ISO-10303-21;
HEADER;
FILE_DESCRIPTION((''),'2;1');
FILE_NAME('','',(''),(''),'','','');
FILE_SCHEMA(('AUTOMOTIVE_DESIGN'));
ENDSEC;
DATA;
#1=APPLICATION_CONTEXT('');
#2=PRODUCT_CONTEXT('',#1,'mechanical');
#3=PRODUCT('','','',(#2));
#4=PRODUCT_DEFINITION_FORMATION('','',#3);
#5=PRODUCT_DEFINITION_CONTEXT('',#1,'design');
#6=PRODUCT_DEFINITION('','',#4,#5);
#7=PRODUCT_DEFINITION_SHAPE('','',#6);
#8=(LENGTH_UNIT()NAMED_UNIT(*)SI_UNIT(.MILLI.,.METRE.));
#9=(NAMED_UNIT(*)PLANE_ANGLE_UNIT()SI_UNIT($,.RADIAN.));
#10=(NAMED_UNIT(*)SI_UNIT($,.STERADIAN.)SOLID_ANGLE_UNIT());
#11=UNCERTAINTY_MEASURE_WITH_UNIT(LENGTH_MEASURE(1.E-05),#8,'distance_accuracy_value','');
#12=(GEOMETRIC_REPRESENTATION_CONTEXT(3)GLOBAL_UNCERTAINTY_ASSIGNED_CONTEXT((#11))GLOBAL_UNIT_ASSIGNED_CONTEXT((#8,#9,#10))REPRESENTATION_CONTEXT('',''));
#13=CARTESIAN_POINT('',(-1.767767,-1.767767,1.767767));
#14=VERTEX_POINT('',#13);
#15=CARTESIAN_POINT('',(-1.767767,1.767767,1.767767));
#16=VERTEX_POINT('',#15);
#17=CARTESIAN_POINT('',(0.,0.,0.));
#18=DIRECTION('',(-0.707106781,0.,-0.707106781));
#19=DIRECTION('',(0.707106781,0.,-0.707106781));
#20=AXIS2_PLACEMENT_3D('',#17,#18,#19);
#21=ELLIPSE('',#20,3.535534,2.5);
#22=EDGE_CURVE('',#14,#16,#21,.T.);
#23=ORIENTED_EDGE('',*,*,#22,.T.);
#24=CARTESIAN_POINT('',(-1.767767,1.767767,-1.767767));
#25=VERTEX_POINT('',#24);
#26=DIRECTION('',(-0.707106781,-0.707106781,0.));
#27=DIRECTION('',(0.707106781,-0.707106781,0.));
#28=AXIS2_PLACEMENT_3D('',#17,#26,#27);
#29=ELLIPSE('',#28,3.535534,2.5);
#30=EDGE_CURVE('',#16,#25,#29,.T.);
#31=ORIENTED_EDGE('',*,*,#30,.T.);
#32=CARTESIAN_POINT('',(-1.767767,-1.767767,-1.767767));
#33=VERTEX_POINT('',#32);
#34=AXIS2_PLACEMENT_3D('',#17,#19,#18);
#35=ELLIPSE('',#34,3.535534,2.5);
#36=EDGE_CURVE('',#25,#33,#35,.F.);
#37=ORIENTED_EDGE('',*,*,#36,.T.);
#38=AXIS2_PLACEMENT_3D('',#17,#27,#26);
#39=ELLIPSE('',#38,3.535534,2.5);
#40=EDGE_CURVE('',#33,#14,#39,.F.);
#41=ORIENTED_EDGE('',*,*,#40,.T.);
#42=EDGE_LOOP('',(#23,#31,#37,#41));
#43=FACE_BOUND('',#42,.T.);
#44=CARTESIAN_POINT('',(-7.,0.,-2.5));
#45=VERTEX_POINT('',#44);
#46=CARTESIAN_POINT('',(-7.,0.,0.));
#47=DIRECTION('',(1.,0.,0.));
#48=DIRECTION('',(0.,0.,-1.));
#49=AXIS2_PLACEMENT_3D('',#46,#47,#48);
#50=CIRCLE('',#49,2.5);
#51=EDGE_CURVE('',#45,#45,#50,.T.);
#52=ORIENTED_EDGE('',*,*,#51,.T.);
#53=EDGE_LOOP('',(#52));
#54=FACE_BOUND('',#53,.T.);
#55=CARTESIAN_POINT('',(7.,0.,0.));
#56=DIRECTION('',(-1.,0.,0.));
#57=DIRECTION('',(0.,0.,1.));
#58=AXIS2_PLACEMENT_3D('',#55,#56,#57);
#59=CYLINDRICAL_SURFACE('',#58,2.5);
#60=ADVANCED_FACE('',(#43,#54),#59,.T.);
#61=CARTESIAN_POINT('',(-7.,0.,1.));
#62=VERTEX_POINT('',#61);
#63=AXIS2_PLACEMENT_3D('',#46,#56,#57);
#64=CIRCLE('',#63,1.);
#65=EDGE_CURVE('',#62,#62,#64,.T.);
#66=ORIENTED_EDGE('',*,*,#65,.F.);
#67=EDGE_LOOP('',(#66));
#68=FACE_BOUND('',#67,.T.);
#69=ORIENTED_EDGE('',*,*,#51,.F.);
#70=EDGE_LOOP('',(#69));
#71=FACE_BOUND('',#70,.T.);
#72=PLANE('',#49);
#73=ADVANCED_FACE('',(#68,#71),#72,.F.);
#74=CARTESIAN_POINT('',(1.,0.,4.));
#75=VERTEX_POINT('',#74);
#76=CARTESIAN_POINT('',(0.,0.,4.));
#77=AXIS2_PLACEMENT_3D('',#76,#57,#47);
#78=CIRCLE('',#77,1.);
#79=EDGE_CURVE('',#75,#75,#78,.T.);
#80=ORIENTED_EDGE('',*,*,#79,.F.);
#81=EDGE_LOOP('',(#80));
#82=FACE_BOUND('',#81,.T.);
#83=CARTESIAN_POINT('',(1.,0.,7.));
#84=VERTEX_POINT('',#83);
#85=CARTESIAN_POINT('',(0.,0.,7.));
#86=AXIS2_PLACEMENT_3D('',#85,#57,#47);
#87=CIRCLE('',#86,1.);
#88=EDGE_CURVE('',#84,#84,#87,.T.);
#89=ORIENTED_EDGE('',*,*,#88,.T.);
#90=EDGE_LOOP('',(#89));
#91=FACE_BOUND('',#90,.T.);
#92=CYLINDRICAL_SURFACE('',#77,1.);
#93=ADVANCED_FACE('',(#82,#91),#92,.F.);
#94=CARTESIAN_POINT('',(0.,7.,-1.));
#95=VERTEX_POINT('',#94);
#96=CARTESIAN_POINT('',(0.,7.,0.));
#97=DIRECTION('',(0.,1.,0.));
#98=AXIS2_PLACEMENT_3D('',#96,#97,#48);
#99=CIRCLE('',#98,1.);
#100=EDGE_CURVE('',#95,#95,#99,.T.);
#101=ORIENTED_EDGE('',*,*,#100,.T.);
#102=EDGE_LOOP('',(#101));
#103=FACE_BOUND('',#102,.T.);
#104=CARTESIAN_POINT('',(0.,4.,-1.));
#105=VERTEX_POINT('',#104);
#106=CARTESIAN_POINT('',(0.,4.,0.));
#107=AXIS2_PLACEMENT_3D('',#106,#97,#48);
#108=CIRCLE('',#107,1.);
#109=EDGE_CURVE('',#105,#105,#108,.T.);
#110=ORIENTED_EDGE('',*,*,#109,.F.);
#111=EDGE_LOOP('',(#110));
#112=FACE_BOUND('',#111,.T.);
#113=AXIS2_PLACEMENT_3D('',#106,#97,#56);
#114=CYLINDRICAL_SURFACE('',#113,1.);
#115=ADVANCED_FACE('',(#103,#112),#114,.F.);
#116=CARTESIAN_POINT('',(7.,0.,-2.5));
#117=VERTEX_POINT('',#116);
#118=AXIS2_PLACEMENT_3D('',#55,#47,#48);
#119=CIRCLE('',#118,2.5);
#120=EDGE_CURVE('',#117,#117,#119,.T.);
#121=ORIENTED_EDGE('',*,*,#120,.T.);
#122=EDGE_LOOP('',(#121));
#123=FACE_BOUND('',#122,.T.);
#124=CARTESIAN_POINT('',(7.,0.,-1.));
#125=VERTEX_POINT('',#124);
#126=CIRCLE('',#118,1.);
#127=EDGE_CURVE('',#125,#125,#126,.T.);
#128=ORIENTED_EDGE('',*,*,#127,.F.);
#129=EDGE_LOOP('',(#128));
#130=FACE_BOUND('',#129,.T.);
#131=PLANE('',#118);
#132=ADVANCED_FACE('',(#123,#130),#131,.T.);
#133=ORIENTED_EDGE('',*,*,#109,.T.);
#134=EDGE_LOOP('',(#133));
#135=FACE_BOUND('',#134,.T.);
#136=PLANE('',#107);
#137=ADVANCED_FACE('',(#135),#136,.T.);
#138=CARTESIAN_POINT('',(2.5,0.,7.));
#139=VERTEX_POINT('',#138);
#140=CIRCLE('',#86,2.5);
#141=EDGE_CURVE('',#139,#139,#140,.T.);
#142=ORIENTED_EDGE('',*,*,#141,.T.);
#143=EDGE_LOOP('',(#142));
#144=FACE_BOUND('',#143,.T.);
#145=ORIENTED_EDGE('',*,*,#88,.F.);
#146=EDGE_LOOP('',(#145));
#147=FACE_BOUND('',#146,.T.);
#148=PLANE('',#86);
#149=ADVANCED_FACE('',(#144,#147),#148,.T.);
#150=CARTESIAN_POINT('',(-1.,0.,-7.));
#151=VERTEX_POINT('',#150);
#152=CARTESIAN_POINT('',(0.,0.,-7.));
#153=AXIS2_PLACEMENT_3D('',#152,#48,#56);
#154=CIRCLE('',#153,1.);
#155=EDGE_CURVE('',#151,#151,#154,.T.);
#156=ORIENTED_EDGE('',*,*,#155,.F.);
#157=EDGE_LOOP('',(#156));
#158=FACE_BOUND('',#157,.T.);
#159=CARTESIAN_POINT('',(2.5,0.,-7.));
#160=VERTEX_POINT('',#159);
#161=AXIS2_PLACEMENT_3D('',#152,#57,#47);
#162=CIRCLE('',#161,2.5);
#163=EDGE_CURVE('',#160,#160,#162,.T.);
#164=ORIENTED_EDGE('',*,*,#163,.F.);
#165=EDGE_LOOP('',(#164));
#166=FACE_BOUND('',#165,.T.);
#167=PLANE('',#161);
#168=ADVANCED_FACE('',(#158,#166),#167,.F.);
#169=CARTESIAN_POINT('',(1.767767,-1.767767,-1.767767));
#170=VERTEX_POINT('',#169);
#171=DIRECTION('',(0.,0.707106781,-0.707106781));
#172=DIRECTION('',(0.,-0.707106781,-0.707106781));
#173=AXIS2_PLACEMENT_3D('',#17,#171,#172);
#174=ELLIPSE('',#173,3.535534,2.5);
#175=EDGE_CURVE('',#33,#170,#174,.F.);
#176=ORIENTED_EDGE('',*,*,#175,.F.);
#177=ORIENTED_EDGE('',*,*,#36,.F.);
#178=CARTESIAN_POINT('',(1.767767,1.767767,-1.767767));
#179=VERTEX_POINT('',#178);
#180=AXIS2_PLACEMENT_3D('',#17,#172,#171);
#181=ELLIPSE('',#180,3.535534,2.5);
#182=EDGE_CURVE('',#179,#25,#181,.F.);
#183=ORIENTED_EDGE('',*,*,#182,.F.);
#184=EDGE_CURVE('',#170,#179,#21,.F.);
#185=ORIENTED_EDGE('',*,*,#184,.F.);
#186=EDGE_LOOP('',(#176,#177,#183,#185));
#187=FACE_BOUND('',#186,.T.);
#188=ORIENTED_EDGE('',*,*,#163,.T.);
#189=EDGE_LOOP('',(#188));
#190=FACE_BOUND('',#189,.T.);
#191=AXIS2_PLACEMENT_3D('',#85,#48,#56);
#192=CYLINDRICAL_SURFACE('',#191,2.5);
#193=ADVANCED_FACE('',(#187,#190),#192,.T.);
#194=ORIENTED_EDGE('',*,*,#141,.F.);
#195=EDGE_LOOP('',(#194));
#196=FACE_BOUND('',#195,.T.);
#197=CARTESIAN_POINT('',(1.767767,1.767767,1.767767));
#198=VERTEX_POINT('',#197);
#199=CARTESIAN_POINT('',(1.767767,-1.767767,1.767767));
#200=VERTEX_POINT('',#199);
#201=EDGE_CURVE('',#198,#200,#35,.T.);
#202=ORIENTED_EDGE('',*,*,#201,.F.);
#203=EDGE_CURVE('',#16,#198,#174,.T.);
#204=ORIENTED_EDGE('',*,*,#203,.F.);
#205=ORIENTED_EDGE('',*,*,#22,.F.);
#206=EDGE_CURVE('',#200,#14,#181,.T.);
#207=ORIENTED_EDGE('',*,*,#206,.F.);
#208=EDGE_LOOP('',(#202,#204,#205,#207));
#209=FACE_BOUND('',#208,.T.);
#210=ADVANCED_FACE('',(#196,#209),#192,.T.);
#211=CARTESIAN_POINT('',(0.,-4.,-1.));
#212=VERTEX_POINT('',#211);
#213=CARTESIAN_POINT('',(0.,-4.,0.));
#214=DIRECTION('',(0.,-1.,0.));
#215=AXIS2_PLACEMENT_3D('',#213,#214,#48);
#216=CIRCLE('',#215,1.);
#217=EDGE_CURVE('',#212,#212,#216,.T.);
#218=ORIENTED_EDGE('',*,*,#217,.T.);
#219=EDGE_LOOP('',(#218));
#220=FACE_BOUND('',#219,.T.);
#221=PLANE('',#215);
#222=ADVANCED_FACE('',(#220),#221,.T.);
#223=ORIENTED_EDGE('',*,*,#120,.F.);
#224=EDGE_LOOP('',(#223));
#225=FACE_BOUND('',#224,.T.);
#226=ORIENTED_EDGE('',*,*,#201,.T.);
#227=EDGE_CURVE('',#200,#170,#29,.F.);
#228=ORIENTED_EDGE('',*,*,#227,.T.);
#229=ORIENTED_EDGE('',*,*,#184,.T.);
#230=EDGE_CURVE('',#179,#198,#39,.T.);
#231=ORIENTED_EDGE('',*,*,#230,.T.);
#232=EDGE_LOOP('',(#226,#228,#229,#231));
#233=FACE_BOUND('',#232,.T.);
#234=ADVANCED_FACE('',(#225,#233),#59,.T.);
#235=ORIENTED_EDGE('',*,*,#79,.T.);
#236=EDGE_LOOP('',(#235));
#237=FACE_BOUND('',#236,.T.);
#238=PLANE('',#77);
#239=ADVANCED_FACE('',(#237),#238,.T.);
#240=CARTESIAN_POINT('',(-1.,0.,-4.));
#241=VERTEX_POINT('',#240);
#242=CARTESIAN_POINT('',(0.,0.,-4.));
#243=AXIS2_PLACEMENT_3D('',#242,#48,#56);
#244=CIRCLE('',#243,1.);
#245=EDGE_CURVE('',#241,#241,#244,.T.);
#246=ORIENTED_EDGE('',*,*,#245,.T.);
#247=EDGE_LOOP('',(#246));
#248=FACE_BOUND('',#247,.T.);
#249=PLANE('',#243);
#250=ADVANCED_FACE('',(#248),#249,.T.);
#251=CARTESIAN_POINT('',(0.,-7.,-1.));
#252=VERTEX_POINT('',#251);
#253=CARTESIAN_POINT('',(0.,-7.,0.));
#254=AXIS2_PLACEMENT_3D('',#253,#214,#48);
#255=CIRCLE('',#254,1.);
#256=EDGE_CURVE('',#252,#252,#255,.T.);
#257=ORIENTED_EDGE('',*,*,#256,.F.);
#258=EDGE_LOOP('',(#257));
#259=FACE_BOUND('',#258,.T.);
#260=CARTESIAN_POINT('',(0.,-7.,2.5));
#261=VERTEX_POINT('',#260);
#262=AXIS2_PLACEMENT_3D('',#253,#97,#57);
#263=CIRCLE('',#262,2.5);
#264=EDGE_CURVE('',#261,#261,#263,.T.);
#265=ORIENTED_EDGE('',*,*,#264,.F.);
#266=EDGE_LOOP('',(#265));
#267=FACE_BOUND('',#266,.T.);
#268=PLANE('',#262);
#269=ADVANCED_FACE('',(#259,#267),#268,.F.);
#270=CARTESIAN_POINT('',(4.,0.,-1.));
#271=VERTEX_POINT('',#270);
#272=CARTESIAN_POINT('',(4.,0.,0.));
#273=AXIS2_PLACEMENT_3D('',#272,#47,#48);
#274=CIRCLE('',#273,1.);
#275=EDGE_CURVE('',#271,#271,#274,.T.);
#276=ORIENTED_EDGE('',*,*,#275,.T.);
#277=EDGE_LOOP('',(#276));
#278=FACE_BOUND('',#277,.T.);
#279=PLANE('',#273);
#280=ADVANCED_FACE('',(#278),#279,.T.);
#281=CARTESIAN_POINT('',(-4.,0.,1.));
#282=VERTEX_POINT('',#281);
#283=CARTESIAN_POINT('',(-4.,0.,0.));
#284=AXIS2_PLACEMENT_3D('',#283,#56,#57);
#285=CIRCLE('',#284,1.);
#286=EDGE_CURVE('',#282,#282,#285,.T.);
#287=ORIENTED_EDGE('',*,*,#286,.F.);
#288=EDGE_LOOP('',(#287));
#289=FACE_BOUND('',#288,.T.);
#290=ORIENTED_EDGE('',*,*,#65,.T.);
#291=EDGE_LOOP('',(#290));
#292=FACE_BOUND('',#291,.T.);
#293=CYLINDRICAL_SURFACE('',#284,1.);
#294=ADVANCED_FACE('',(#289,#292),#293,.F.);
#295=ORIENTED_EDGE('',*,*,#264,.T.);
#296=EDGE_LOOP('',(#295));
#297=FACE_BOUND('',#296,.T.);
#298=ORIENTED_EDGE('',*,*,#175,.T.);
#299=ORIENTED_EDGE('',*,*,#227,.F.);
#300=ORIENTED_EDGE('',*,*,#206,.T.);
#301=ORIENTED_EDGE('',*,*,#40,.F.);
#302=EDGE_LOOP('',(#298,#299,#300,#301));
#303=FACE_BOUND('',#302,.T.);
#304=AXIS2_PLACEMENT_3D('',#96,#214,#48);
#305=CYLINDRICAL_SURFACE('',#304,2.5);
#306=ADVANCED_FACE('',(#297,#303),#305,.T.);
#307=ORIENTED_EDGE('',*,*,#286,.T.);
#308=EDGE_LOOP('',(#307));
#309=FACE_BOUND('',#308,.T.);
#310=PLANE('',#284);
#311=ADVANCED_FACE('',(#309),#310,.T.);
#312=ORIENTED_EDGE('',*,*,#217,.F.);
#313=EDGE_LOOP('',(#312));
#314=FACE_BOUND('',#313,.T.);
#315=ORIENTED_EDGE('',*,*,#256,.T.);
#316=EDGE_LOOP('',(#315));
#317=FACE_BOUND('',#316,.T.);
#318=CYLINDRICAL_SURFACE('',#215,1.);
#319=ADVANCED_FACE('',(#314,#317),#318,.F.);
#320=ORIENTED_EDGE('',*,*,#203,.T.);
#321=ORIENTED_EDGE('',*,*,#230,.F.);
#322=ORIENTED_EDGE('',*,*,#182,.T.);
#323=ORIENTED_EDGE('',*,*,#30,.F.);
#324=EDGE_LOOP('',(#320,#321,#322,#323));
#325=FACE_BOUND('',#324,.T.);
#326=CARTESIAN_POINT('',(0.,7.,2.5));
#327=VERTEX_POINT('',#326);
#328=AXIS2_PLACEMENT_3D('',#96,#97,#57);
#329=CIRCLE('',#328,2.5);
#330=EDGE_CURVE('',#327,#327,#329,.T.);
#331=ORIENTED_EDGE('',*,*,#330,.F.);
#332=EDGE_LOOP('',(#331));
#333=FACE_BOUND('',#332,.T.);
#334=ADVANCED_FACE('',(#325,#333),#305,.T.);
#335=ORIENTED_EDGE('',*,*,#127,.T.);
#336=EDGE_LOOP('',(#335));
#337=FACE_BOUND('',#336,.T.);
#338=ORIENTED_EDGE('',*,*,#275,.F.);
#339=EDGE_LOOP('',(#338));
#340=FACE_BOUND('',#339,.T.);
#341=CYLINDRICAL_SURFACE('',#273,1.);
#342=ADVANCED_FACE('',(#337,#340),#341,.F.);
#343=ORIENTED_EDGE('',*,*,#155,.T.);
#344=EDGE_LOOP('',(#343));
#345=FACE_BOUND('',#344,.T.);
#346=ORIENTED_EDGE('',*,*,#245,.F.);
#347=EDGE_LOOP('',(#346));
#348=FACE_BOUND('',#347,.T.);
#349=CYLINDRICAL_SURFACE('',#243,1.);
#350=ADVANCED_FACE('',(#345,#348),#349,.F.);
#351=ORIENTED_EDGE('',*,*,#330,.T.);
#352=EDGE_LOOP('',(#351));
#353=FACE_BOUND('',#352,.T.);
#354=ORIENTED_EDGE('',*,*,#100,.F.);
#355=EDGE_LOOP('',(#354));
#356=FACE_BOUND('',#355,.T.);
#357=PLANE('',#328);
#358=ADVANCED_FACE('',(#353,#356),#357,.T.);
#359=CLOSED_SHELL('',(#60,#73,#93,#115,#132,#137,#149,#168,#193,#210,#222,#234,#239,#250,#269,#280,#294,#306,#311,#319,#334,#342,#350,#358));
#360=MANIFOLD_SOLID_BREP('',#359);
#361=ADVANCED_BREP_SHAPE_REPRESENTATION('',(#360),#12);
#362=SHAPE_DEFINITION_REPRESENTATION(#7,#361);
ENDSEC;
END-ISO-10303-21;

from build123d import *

# Parameters (mm, degrees)
SKETCH1_R           = 2.5
BASE_EXTRUDE_DEPTH  = 7
SKETCH2_R           = 2.5
BOSS_EXTRUDE3_DEPTH = 7
SKETCH3_R           = 2.5
BOSS_EXTRUDE4_DEPTH = 7
SKETCH8_R           = 1
CUT_EXTRUDE2_DEPTH  = 3
CIRPATTERN4_COUNT   = 4
CIRPATTERN5_COUNT   = 4


with BuildPart() as part:
    # Sketch1 → Base-Extrude (new, symmetric)
    with BuildSketch(Plane.XY):
        with Locations(Location((0, 0, 0), (0, 0, 225))):
            Circle(SKETCH1_R)
    extrude(amount=BASE_EXTRUDE_DEPTH, both=True)

    # Sketch2 → Boss-Extrude3 (add, symmetric)
    with BuildSketch(Plane(origin=(0, 0, 0), x_dir=(1, 0, 0), z_dir=(0, 1, 0))):
        with Locations(Location((0, 0, 0), (0, 0, 135))):
            Circle(SKETCH2_R)
    extrude(amount=BOSS_EXTRUDE3_DEPTH, both=True)

    # Sketch3 → Boss-Extrude4 (add, symmetric)
    with BuildSketch(Plane(origin=(0, 0, 0), x_dir=(0, 0, -1), z_dir=(1, 0, 0))):
        with Locations(Location((0, 0, 0), (0, 0, 225))):
            Circle(SKETCH3_R)
    extrude(amount=BOSS_EXTRUDE4_DEPTH, both=True)

    # Sketch8 → Cut-Extrude2 (cut)
    with BuildSketch(Plane(origin=(7, 0, 0), x_dir=(0, 0, -1), z_dir=(1, 0, 0))):
        Circle(SKETCH8_R)
    cut_extrude2 = extrude(amount=-CUT_EXTRUDE2_DEPTH, mode=Mode.SUBTRACT)

    # CirPattern4: Cut-Extrude2 ×4 about axis
    cirpattern4_axis = Axis((0, 0, 0), (0, 1, 0))
    for i in range(1, CIRPATTERN4_COUNT):
        add(cut_extrude2.rotate(cirpattern4_axis, i * 360 / CIRPATTERN4_COUNT), mode=Mode.SUBTRACT)

    # CirPattern5: Cut-Extrude2 ×4 about axis
    cirpattern5_axis = Axis((0, 0, 0), (0, 0, 1))
    for i in range(1, CIRPATTERN5_COUNT):
        add(cut_extrude2.rotate(cirpattern5_axis, i * 360 / CIRPATTERN5_COUNT), mode=Mode.SUBTRACT)


solid = part.part
